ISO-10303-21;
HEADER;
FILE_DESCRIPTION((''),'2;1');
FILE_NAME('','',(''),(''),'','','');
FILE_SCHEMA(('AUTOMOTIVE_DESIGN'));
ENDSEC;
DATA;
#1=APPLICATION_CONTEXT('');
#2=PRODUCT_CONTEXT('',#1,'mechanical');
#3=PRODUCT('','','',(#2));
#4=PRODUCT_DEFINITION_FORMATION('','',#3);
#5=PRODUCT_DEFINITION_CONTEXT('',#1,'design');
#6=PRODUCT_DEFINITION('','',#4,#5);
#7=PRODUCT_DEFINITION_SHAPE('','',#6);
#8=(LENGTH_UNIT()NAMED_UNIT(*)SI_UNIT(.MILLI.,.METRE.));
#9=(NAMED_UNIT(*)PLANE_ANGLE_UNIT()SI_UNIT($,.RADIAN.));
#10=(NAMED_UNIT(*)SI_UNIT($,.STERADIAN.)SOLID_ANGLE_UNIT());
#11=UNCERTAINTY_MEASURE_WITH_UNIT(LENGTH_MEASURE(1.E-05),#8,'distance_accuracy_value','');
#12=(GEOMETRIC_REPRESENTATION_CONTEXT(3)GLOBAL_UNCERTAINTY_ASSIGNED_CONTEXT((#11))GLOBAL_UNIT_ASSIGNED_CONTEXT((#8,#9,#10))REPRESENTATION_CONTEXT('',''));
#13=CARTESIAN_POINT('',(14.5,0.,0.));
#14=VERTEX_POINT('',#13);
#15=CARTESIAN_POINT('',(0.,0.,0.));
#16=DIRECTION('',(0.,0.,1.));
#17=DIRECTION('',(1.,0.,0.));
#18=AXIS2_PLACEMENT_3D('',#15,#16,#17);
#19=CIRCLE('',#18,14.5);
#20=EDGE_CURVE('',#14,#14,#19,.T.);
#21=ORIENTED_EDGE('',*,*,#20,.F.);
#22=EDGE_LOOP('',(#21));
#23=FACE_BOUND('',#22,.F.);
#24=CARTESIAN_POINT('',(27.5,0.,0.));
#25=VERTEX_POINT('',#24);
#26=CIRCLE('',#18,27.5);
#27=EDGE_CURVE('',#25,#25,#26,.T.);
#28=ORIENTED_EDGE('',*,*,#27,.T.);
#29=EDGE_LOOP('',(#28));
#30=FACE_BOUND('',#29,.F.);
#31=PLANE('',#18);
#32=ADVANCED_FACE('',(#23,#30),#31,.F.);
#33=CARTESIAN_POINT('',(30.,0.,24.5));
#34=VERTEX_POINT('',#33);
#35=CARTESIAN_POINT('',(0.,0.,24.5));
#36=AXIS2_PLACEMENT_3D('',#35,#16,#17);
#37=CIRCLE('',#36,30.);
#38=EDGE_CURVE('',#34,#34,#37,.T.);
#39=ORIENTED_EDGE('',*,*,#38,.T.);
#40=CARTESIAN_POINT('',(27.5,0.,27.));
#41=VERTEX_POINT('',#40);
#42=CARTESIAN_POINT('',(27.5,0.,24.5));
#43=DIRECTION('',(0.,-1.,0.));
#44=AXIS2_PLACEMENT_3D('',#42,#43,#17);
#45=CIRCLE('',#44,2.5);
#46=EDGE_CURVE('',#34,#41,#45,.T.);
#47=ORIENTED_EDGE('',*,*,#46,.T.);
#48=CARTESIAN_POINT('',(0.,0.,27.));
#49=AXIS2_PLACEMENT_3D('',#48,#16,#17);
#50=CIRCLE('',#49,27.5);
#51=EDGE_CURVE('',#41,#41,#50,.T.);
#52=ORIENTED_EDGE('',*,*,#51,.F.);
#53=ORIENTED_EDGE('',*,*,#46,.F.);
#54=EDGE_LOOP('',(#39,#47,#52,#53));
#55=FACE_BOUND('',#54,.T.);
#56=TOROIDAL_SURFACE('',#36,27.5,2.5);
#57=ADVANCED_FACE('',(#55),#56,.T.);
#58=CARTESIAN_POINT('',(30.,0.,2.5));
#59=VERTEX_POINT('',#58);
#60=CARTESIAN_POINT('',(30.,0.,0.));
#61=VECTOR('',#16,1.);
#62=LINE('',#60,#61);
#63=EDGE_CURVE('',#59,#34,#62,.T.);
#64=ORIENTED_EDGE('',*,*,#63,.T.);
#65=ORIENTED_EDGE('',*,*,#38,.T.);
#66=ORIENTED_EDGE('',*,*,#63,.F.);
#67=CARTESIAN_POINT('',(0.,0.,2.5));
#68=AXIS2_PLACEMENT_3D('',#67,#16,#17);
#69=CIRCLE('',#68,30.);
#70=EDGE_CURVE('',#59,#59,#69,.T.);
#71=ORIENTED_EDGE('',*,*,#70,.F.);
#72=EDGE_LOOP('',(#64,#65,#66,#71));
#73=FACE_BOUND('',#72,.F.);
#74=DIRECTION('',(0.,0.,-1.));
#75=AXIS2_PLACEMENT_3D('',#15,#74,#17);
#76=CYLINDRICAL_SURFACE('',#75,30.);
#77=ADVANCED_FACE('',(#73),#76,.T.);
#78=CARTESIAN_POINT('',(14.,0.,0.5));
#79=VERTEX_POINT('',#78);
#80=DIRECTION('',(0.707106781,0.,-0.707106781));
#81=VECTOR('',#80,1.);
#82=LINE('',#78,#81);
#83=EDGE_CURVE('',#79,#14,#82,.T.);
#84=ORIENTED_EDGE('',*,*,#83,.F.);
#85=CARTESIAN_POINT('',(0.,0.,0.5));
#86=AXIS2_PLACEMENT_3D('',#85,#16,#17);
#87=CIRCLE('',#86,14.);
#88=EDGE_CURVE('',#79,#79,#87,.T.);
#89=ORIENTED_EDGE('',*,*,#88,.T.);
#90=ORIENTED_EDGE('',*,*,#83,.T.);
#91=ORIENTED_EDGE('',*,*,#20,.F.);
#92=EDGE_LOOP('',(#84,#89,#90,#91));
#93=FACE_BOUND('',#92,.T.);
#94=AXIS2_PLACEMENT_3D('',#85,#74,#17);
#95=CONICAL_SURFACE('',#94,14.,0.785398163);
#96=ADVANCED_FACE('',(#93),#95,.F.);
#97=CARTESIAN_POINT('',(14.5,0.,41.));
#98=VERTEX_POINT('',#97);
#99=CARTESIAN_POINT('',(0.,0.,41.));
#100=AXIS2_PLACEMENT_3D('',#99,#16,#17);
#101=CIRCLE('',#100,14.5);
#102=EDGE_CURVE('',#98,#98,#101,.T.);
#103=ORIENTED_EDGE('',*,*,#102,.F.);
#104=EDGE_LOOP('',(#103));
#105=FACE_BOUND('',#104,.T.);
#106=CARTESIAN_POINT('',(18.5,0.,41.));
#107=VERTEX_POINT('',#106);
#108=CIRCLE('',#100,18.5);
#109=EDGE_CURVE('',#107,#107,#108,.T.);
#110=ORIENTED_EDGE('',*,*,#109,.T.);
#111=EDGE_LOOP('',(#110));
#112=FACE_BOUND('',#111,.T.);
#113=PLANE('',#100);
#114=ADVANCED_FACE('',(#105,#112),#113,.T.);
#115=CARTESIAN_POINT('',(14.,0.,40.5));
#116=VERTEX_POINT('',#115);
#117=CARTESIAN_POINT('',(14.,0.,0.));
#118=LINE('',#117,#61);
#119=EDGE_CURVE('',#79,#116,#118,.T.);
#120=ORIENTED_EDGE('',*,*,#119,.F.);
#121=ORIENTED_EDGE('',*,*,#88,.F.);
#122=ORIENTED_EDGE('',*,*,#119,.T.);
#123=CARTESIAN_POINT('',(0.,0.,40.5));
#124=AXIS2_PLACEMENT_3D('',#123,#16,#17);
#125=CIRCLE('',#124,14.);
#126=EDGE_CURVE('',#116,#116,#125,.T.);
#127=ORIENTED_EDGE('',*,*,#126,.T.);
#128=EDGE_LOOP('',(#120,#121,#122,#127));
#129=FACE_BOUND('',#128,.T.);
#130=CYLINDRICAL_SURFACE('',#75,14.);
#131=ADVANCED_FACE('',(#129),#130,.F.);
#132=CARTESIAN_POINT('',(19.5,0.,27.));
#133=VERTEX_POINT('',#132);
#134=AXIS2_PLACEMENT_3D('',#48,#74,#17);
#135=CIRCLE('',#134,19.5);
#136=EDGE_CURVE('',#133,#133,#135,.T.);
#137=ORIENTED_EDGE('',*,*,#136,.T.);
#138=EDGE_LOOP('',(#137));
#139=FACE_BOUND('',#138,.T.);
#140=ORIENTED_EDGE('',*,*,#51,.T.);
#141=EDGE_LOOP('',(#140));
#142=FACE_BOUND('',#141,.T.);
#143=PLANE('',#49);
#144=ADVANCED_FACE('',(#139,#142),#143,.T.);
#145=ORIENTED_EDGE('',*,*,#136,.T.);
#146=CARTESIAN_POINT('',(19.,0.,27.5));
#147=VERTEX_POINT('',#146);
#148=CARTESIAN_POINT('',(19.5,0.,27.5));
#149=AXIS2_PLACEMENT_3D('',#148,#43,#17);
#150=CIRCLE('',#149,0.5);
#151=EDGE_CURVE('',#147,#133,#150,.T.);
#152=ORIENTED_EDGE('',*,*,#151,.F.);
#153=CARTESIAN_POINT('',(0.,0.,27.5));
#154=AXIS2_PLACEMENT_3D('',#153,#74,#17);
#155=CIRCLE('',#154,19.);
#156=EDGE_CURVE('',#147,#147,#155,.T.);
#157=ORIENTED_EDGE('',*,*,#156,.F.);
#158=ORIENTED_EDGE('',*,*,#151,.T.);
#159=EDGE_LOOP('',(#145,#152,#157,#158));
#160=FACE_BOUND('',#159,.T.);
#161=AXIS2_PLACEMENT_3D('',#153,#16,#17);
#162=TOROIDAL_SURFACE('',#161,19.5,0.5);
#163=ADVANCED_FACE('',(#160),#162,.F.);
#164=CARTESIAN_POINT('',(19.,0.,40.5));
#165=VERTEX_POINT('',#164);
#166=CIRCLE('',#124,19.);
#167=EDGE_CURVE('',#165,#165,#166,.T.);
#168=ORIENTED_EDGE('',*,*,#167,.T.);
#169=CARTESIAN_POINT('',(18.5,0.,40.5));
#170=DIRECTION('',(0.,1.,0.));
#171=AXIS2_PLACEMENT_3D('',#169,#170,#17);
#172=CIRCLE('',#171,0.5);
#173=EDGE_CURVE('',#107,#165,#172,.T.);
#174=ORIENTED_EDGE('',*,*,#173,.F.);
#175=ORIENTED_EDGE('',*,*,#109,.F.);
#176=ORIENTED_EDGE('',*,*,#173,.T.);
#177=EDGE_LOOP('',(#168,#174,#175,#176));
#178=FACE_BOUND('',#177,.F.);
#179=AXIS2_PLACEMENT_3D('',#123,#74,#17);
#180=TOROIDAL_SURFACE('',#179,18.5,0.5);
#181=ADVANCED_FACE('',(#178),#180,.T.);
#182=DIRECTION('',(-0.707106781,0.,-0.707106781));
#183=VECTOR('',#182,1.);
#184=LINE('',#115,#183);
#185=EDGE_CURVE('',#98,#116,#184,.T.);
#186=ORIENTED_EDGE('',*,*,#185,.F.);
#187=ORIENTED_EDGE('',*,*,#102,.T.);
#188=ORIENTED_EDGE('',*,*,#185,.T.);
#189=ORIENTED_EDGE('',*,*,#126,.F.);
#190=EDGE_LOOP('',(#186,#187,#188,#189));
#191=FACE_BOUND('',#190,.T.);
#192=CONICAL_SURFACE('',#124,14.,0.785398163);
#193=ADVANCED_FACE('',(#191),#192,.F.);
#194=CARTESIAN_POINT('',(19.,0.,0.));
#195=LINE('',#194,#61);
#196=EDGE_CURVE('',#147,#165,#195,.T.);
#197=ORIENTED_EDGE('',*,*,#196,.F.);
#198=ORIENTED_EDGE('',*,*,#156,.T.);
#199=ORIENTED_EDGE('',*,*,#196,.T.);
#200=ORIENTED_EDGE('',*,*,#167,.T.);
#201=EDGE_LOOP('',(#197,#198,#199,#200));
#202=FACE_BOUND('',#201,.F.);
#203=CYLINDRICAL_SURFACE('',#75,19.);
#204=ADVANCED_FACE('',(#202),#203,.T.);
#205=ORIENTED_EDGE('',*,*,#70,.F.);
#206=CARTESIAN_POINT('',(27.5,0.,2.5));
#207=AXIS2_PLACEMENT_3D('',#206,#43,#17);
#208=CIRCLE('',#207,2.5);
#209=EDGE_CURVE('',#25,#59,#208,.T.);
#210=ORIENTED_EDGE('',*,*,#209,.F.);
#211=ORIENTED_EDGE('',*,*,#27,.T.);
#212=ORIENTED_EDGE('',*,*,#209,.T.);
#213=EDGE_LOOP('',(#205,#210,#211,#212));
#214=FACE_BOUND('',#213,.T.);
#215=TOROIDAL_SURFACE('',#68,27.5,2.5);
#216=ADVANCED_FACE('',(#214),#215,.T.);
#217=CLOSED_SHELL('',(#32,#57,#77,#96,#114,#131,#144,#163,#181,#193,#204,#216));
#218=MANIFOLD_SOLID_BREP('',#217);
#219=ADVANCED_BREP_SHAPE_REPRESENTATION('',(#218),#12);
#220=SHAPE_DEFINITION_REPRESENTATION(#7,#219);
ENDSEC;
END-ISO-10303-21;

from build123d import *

# Parameters (mm, degrees)
F0_R     = 30
F0_R_2   = 19
F0_R_3   = 14
F1_DEPTH = 27
F2_DEPTH = 41
F3_R     = 2.5
F4_R     = 0.5
F5_SIZE  = 0.5


with BuildPart() as f1:
    # F0 (on Top) → F1 (new body)
    with BuildSketch(Plane.XY):
        Circle(F0_R)
        Circle(F0_R_2, mode=Mode.SUBTRACT)
        Circle(F0_R_2)
        Circle(F0_R_3, mode=Mode.SUBTRACT)
    extrude(amount=F1_DEPTH)

    # F0 (on Top) → F2 (join)
    with BuildSketch(Plane.XY):
        Circle(F0_R_2)
        Circle(F0_R_3, mode=Mode.SUBTRACT)
    extrude(amount=F2_DEPTH)

    # F3
    f3_edges = [f1.edges().sort_by_distance(p)[0] for p in [
        (-30, 0, 0),
        (-30, 0, 27),
    ]]
    fillet(f3_edges, radius=F3_R)

    # F4
    f4_edges = [f1.edges().sort_by_distance(p)[0] for p in [
        (-19, 0, 27),
        (-19, 0, 41),
    ]]
    fillet(f4_edges, radius=F4_R)

    # F5
    f5_edges = [f1.edges().sort_by_distance(p)[0] for p in [
        (-14, 0, 41),
        (-14, 0, 0),
    ]]
    chamfer(f5_edges, length=F5_SIZE)


solid = f1.part
